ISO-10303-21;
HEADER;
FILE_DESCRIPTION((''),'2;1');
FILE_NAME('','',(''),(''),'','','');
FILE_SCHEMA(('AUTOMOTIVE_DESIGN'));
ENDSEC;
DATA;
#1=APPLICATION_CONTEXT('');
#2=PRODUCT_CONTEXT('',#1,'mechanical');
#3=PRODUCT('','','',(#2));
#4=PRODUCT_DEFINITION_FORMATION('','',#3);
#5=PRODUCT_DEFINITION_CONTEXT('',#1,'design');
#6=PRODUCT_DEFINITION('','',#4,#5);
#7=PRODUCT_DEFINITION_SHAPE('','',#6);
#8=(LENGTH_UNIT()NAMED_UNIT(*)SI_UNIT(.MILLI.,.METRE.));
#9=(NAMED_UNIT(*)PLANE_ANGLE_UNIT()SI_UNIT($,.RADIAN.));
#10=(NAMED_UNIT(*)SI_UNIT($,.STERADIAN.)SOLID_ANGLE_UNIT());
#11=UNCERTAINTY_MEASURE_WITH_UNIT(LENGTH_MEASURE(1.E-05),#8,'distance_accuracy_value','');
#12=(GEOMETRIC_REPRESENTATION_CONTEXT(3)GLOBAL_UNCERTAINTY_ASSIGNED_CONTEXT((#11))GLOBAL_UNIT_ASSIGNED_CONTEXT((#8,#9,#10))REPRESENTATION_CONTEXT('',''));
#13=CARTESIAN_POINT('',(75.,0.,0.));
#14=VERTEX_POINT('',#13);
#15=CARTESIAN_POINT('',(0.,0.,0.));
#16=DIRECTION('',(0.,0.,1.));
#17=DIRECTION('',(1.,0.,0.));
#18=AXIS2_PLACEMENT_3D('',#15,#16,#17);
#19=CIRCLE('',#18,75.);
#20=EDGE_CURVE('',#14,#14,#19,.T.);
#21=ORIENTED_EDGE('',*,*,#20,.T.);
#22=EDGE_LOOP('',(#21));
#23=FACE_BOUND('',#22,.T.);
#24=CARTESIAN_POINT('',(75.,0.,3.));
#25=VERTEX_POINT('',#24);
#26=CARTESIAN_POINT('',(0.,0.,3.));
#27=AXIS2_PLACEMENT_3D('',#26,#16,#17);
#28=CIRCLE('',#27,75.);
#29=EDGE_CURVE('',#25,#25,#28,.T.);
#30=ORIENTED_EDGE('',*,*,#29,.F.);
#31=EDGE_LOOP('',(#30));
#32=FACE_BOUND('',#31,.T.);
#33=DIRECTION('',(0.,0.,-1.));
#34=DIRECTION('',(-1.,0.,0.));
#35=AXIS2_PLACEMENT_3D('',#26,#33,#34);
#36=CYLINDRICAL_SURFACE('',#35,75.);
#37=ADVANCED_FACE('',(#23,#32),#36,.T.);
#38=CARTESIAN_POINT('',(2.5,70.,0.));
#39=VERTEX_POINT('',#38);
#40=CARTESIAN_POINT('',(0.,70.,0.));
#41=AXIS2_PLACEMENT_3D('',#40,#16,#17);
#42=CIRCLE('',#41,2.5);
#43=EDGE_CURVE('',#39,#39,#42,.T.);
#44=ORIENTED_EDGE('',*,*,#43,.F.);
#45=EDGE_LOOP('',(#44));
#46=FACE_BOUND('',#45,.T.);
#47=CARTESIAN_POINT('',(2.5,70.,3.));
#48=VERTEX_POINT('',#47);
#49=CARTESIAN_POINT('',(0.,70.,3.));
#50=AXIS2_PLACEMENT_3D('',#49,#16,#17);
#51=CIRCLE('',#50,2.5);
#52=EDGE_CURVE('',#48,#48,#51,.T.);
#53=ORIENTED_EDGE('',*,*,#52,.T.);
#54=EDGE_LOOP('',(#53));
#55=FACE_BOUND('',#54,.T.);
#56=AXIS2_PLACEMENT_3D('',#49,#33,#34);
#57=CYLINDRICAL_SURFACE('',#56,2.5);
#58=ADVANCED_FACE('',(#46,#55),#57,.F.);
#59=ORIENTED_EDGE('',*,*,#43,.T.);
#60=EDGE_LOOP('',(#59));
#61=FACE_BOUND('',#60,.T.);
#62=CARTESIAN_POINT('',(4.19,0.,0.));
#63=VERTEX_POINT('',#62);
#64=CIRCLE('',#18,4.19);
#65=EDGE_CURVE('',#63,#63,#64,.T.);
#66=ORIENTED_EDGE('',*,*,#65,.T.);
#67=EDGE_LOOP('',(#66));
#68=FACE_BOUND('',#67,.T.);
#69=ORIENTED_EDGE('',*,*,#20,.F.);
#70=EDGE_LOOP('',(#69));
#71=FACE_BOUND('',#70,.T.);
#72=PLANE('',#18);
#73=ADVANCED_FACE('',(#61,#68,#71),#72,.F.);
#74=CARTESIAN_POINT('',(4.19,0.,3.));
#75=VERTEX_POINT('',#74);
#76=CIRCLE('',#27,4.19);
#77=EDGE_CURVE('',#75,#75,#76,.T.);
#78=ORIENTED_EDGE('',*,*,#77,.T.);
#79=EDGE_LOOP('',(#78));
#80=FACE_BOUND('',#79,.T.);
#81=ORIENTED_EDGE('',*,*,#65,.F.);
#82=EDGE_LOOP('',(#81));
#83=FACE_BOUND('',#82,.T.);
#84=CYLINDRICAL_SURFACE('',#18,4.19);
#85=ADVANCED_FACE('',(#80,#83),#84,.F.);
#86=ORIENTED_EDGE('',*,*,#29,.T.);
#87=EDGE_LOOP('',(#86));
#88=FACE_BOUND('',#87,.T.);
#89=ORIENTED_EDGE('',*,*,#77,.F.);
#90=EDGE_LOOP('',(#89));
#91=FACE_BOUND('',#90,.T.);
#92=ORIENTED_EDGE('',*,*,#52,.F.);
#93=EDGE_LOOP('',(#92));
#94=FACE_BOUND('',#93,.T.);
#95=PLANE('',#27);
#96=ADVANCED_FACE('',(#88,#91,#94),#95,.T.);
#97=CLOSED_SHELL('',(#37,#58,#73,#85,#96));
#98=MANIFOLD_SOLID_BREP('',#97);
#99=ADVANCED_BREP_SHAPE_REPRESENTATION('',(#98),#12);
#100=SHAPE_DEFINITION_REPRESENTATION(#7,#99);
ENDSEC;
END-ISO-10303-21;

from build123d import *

# Parameters (mm, degrees)
SKETCH1_R           = 75
SKETCH1_R_2         = 2.5
BOSS_EXTRUDE1_DEPTH = 3
SKETCH2_R           = 4.19
CUT_EXTRUDE1_DEPTH  = 107.108435103


with BuildPart() as part:
    # Sketch1 → Boss-Extrude1 (new body)
    with BuildSketch(Plane.XY):
        Circle(SKETCH1_R)
        with Locations((0, 70)):
            Circle(SKETCH1_R_2, mode=Mode.SUBTRACT)
    extrude(amount=BOSS_EXTRUDE1_DEPTH)

    # Sketch2 → Cut-Extrude1 (cut, through all)
    with BuildSketch(Plane.XY.offset(3)):
        Circle(SKETCH2_R)
    extrude(amount=-CUT_EXTRUDE1_DEPTH, mode=Mode.SUBTRACT)


solid = part.part
